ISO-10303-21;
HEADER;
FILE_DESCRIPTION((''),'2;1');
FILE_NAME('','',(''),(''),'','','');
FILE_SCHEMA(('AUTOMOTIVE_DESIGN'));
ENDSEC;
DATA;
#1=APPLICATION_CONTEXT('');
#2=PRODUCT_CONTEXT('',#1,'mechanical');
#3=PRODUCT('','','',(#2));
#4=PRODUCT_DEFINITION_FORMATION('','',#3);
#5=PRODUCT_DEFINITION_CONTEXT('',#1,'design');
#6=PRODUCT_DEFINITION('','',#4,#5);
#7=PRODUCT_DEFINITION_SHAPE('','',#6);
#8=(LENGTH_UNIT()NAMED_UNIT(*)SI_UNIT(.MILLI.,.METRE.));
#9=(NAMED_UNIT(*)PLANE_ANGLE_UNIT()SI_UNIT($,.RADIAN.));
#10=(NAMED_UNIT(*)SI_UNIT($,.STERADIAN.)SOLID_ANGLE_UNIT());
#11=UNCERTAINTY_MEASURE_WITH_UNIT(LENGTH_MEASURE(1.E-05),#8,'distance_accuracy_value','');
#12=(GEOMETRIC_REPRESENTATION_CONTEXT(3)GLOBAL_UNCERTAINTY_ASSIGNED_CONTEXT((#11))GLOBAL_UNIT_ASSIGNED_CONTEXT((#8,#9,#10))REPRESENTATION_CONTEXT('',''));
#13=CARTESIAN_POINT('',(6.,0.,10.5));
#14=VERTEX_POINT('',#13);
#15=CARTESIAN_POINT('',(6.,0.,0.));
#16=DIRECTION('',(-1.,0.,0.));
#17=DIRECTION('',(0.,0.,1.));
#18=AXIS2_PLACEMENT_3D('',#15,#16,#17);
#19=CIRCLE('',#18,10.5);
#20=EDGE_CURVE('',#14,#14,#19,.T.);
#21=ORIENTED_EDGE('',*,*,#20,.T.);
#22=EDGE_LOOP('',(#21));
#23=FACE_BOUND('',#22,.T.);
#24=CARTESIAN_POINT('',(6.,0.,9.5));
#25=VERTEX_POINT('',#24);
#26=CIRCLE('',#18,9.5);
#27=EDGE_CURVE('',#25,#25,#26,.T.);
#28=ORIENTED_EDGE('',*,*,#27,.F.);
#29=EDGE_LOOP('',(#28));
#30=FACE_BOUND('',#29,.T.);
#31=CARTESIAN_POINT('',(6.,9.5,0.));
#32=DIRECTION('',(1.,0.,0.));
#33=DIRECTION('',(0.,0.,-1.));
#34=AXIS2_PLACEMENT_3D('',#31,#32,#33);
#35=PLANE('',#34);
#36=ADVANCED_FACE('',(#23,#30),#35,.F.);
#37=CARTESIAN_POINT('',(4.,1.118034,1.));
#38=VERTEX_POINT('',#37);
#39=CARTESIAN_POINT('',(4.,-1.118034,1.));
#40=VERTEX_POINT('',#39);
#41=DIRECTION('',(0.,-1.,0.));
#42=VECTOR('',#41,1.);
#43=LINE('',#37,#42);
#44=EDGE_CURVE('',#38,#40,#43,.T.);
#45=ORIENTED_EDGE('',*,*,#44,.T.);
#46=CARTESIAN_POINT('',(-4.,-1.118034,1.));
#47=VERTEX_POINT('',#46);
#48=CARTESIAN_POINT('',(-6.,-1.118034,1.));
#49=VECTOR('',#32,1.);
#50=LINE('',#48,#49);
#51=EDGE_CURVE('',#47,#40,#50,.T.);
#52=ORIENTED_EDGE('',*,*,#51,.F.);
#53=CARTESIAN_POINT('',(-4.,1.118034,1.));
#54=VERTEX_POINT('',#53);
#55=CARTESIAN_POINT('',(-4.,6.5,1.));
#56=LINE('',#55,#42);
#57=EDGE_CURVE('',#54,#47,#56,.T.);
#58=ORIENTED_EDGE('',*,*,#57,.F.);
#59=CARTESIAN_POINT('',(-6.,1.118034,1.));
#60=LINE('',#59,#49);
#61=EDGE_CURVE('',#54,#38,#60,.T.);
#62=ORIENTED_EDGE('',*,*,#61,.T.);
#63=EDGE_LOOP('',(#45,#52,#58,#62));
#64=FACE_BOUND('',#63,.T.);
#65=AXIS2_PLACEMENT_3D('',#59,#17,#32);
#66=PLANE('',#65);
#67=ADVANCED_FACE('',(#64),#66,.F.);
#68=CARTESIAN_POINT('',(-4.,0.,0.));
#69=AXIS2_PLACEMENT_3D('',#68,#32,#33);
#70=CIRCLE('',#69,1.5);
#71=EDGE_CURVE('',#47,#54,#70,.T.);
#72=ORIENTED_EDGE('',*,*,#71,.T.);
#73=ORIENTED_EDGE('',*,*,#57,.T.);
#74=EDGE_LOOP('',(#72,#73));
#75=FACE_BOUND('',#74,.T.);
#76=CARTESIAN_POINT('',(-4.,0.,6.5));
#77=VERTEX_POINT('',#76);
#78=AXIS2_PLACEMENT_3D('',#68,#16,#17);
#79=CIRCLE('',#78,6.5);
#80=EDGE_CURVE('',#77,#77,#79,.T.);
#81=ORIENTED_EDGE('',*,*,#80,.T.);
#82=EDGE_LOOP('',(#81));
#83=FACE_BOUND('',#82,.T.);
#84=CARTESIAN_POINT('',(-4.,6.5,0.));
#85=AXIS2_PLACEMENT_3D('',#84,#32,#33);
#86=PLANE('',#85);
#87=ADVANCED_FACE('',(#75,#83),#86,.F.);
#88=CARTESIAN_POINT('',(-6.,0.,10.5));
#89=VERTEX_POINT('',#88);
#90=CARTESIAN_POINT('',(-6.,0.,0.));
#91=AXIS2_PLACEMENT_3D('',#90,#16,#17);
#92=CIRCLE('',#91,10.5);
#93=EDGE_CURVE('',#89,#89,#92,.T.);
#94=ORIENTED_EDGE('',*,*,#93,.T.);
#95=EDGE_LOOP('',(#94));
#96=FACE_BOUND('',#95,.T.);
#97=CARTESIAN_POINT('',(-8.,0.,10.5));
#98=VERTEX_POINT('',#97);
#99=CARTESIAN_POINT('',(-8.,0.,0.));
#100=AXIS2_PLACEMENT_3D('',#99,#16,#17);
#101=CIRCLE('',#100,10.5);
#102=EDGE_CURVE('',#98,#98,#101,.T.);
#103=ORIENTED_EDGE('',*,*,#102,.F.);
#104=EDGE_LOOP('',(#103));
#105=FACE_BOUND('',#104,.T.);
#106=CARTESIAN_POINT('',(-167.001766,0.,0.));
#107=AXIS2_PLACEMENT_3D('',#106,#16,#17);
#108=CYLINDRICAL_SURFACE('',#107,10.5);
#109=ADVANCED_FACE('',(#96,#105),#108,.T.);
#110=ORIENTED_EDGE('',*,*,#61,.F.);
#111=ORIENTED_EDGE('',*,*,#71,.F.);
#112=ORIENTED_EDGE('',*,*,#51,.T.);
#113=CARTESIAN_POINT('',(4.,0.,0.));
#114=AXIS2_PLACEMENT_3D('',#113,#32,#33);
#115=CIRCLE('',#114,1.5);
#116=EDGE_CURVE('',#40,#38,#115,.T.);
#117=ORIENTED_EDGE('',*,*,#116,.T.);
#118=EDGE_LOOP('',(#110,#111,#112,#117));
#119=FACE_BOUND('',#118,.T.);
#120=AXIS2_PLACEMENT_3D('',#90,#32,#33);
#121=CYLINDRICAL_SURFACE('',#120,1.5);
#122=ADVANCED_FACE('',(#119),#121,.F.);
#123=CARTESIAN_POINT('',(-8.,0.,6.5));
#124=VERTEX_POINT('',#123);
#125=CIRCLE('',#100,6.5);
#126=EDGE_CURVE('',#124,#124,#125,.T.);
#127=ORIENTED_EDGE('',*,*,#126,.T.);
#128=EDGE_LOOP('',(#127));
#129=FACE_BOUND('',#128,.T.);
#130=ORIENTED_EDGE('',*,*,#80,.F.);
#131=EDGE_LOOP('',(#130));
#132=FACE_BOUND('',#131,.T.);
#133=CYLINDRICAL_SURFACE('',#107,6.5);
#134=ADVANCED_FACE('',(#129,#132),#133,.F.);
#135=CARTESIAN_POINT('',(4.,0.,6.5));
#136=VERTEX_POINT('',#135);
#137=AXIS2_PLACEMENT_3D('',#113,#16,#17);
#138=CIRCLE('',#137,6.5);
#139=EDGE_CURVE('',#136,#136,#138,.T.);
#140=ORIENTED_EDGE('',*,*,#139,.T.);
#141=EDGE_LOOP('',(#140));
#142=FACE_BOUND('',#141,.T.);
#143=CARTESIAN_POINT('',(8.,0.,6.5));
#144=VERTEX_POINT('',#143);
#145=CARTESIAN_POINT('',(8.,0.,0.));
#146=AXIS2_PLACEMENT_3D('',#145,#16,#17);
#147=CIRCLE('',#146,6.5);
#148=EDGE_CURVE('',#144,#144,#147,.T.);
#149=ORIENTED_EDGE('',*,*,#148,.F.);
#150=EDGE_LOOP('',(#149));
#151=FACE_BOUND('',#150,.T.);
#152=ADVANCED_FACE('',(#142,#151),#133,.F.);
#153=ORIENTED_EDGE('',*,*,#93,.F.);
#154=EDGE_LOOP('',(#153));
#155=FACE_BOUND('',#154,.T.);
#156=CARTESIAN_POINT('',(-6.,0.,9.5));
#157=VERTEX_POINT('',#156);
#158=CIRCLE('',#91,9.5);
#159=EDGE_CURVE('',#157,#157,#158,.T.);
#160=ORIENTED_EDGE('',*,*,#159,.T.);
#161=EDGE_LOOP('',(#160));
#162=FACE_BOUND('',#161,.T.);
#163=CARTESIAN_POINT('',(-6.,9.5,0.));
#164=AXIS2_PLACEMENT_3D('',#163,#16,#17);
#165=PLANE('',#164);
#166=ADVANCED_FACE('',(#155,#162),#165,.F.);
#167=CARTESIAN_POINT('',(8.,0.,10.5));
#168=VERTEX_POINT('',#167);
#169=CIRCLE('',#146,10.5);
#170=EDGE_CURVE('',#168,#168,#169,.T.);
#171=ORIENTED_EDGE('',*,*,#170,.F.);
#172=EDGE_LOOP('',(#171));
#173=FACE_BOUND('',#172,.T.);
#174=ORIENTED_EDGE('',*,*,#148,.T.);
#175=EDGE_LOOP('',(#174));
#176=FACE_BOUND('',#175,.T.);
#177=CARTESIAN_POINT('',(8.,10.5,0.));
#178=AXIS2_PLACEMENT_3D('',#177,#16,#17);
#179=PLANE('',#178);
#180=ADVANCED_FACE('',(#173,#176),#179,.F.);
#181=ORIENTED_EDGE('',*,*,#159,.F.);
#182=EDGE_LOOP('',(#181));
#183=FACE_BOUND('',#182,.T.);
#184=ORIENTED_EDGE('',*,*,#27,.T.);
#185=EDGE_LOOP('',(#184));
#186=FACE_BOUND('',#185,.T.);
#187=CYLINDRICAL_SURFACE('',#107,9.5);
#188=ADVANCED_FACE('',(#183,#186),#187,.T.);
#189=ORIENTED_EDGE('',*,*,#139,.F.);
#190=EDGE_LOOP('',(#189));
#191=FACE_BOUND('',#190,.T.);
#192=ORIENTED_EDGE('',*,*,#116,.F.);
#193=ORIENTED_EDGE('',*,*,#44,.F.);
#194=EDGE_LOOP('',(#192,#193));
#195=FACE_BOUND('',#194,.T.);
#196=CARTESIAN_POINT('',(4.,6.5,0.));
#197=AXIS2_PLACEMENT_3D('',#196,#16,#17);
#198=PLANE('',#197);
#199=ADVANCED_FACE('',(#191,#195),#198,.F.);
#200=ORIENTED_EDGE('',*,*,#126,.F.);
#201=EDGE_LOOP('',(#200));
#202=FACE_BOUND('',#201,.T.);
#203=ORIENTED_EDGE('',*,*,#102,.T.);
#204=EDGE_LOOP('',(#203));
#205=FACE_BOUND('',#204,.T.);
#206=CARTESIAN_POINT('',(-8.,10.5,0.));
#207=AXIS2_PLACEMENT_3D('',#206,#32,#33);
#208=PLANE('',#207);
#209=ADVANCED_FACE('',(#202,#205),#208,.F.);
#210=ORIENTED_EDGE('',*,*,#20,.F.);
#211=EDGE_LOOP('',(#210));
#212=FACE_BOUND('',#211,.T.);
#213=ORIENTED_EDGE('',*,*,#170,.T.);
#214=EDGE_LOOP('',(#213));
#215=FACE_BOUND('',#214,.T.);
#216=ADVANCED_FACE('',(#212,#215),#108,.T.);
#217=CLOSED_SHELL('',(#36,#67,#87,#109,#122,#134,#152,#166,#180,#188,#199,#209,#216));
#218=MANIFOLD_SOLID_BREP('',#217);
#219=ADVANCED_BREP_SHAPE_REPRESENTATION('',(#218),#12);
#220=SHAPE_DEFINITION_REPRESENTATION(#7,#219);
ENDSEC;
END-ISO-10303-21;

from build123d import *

# Parameters (mm, degrees)
CUT_EXTRUDE1_DEPTH = 10


with BuildPart() as part:
    # Sketch1 → Revolve1 (revolve)
    with BuildSketch(Plane.XY):
        Polygon((6, 9.5), (-6, 9.5), (-6, 10.5), (-8, 10.5), (-8, 6.5), (-4, 6.5), (-4, 0), (4, 0), (4, 6.5), (8, 6.5), (8, 10.5), (6, 10.5), align=None)
    revolve(axis=Axis((-167.001765705, 0, 0), (1, 0, 0)))

    # Sketch2 → Cut-Extrude1 (cut)
    with BuildSketch(Plane(origin=(4, 0, 0), x_dir=(0, 0, -1), z_dir=(1, 0, 0))):
        with BuildLine():
            Line((-1, 1.118033989), (-1, -1.118033989))
            ThreePointArc((-1, -1.118033989), (1.5, 0), (-1, 1.118033989))
        make_face()
    extrude(amount=-CUT_EXTRUDE1_DEPTH, mode=Mode.SUBTRACT)


solid = part.part
